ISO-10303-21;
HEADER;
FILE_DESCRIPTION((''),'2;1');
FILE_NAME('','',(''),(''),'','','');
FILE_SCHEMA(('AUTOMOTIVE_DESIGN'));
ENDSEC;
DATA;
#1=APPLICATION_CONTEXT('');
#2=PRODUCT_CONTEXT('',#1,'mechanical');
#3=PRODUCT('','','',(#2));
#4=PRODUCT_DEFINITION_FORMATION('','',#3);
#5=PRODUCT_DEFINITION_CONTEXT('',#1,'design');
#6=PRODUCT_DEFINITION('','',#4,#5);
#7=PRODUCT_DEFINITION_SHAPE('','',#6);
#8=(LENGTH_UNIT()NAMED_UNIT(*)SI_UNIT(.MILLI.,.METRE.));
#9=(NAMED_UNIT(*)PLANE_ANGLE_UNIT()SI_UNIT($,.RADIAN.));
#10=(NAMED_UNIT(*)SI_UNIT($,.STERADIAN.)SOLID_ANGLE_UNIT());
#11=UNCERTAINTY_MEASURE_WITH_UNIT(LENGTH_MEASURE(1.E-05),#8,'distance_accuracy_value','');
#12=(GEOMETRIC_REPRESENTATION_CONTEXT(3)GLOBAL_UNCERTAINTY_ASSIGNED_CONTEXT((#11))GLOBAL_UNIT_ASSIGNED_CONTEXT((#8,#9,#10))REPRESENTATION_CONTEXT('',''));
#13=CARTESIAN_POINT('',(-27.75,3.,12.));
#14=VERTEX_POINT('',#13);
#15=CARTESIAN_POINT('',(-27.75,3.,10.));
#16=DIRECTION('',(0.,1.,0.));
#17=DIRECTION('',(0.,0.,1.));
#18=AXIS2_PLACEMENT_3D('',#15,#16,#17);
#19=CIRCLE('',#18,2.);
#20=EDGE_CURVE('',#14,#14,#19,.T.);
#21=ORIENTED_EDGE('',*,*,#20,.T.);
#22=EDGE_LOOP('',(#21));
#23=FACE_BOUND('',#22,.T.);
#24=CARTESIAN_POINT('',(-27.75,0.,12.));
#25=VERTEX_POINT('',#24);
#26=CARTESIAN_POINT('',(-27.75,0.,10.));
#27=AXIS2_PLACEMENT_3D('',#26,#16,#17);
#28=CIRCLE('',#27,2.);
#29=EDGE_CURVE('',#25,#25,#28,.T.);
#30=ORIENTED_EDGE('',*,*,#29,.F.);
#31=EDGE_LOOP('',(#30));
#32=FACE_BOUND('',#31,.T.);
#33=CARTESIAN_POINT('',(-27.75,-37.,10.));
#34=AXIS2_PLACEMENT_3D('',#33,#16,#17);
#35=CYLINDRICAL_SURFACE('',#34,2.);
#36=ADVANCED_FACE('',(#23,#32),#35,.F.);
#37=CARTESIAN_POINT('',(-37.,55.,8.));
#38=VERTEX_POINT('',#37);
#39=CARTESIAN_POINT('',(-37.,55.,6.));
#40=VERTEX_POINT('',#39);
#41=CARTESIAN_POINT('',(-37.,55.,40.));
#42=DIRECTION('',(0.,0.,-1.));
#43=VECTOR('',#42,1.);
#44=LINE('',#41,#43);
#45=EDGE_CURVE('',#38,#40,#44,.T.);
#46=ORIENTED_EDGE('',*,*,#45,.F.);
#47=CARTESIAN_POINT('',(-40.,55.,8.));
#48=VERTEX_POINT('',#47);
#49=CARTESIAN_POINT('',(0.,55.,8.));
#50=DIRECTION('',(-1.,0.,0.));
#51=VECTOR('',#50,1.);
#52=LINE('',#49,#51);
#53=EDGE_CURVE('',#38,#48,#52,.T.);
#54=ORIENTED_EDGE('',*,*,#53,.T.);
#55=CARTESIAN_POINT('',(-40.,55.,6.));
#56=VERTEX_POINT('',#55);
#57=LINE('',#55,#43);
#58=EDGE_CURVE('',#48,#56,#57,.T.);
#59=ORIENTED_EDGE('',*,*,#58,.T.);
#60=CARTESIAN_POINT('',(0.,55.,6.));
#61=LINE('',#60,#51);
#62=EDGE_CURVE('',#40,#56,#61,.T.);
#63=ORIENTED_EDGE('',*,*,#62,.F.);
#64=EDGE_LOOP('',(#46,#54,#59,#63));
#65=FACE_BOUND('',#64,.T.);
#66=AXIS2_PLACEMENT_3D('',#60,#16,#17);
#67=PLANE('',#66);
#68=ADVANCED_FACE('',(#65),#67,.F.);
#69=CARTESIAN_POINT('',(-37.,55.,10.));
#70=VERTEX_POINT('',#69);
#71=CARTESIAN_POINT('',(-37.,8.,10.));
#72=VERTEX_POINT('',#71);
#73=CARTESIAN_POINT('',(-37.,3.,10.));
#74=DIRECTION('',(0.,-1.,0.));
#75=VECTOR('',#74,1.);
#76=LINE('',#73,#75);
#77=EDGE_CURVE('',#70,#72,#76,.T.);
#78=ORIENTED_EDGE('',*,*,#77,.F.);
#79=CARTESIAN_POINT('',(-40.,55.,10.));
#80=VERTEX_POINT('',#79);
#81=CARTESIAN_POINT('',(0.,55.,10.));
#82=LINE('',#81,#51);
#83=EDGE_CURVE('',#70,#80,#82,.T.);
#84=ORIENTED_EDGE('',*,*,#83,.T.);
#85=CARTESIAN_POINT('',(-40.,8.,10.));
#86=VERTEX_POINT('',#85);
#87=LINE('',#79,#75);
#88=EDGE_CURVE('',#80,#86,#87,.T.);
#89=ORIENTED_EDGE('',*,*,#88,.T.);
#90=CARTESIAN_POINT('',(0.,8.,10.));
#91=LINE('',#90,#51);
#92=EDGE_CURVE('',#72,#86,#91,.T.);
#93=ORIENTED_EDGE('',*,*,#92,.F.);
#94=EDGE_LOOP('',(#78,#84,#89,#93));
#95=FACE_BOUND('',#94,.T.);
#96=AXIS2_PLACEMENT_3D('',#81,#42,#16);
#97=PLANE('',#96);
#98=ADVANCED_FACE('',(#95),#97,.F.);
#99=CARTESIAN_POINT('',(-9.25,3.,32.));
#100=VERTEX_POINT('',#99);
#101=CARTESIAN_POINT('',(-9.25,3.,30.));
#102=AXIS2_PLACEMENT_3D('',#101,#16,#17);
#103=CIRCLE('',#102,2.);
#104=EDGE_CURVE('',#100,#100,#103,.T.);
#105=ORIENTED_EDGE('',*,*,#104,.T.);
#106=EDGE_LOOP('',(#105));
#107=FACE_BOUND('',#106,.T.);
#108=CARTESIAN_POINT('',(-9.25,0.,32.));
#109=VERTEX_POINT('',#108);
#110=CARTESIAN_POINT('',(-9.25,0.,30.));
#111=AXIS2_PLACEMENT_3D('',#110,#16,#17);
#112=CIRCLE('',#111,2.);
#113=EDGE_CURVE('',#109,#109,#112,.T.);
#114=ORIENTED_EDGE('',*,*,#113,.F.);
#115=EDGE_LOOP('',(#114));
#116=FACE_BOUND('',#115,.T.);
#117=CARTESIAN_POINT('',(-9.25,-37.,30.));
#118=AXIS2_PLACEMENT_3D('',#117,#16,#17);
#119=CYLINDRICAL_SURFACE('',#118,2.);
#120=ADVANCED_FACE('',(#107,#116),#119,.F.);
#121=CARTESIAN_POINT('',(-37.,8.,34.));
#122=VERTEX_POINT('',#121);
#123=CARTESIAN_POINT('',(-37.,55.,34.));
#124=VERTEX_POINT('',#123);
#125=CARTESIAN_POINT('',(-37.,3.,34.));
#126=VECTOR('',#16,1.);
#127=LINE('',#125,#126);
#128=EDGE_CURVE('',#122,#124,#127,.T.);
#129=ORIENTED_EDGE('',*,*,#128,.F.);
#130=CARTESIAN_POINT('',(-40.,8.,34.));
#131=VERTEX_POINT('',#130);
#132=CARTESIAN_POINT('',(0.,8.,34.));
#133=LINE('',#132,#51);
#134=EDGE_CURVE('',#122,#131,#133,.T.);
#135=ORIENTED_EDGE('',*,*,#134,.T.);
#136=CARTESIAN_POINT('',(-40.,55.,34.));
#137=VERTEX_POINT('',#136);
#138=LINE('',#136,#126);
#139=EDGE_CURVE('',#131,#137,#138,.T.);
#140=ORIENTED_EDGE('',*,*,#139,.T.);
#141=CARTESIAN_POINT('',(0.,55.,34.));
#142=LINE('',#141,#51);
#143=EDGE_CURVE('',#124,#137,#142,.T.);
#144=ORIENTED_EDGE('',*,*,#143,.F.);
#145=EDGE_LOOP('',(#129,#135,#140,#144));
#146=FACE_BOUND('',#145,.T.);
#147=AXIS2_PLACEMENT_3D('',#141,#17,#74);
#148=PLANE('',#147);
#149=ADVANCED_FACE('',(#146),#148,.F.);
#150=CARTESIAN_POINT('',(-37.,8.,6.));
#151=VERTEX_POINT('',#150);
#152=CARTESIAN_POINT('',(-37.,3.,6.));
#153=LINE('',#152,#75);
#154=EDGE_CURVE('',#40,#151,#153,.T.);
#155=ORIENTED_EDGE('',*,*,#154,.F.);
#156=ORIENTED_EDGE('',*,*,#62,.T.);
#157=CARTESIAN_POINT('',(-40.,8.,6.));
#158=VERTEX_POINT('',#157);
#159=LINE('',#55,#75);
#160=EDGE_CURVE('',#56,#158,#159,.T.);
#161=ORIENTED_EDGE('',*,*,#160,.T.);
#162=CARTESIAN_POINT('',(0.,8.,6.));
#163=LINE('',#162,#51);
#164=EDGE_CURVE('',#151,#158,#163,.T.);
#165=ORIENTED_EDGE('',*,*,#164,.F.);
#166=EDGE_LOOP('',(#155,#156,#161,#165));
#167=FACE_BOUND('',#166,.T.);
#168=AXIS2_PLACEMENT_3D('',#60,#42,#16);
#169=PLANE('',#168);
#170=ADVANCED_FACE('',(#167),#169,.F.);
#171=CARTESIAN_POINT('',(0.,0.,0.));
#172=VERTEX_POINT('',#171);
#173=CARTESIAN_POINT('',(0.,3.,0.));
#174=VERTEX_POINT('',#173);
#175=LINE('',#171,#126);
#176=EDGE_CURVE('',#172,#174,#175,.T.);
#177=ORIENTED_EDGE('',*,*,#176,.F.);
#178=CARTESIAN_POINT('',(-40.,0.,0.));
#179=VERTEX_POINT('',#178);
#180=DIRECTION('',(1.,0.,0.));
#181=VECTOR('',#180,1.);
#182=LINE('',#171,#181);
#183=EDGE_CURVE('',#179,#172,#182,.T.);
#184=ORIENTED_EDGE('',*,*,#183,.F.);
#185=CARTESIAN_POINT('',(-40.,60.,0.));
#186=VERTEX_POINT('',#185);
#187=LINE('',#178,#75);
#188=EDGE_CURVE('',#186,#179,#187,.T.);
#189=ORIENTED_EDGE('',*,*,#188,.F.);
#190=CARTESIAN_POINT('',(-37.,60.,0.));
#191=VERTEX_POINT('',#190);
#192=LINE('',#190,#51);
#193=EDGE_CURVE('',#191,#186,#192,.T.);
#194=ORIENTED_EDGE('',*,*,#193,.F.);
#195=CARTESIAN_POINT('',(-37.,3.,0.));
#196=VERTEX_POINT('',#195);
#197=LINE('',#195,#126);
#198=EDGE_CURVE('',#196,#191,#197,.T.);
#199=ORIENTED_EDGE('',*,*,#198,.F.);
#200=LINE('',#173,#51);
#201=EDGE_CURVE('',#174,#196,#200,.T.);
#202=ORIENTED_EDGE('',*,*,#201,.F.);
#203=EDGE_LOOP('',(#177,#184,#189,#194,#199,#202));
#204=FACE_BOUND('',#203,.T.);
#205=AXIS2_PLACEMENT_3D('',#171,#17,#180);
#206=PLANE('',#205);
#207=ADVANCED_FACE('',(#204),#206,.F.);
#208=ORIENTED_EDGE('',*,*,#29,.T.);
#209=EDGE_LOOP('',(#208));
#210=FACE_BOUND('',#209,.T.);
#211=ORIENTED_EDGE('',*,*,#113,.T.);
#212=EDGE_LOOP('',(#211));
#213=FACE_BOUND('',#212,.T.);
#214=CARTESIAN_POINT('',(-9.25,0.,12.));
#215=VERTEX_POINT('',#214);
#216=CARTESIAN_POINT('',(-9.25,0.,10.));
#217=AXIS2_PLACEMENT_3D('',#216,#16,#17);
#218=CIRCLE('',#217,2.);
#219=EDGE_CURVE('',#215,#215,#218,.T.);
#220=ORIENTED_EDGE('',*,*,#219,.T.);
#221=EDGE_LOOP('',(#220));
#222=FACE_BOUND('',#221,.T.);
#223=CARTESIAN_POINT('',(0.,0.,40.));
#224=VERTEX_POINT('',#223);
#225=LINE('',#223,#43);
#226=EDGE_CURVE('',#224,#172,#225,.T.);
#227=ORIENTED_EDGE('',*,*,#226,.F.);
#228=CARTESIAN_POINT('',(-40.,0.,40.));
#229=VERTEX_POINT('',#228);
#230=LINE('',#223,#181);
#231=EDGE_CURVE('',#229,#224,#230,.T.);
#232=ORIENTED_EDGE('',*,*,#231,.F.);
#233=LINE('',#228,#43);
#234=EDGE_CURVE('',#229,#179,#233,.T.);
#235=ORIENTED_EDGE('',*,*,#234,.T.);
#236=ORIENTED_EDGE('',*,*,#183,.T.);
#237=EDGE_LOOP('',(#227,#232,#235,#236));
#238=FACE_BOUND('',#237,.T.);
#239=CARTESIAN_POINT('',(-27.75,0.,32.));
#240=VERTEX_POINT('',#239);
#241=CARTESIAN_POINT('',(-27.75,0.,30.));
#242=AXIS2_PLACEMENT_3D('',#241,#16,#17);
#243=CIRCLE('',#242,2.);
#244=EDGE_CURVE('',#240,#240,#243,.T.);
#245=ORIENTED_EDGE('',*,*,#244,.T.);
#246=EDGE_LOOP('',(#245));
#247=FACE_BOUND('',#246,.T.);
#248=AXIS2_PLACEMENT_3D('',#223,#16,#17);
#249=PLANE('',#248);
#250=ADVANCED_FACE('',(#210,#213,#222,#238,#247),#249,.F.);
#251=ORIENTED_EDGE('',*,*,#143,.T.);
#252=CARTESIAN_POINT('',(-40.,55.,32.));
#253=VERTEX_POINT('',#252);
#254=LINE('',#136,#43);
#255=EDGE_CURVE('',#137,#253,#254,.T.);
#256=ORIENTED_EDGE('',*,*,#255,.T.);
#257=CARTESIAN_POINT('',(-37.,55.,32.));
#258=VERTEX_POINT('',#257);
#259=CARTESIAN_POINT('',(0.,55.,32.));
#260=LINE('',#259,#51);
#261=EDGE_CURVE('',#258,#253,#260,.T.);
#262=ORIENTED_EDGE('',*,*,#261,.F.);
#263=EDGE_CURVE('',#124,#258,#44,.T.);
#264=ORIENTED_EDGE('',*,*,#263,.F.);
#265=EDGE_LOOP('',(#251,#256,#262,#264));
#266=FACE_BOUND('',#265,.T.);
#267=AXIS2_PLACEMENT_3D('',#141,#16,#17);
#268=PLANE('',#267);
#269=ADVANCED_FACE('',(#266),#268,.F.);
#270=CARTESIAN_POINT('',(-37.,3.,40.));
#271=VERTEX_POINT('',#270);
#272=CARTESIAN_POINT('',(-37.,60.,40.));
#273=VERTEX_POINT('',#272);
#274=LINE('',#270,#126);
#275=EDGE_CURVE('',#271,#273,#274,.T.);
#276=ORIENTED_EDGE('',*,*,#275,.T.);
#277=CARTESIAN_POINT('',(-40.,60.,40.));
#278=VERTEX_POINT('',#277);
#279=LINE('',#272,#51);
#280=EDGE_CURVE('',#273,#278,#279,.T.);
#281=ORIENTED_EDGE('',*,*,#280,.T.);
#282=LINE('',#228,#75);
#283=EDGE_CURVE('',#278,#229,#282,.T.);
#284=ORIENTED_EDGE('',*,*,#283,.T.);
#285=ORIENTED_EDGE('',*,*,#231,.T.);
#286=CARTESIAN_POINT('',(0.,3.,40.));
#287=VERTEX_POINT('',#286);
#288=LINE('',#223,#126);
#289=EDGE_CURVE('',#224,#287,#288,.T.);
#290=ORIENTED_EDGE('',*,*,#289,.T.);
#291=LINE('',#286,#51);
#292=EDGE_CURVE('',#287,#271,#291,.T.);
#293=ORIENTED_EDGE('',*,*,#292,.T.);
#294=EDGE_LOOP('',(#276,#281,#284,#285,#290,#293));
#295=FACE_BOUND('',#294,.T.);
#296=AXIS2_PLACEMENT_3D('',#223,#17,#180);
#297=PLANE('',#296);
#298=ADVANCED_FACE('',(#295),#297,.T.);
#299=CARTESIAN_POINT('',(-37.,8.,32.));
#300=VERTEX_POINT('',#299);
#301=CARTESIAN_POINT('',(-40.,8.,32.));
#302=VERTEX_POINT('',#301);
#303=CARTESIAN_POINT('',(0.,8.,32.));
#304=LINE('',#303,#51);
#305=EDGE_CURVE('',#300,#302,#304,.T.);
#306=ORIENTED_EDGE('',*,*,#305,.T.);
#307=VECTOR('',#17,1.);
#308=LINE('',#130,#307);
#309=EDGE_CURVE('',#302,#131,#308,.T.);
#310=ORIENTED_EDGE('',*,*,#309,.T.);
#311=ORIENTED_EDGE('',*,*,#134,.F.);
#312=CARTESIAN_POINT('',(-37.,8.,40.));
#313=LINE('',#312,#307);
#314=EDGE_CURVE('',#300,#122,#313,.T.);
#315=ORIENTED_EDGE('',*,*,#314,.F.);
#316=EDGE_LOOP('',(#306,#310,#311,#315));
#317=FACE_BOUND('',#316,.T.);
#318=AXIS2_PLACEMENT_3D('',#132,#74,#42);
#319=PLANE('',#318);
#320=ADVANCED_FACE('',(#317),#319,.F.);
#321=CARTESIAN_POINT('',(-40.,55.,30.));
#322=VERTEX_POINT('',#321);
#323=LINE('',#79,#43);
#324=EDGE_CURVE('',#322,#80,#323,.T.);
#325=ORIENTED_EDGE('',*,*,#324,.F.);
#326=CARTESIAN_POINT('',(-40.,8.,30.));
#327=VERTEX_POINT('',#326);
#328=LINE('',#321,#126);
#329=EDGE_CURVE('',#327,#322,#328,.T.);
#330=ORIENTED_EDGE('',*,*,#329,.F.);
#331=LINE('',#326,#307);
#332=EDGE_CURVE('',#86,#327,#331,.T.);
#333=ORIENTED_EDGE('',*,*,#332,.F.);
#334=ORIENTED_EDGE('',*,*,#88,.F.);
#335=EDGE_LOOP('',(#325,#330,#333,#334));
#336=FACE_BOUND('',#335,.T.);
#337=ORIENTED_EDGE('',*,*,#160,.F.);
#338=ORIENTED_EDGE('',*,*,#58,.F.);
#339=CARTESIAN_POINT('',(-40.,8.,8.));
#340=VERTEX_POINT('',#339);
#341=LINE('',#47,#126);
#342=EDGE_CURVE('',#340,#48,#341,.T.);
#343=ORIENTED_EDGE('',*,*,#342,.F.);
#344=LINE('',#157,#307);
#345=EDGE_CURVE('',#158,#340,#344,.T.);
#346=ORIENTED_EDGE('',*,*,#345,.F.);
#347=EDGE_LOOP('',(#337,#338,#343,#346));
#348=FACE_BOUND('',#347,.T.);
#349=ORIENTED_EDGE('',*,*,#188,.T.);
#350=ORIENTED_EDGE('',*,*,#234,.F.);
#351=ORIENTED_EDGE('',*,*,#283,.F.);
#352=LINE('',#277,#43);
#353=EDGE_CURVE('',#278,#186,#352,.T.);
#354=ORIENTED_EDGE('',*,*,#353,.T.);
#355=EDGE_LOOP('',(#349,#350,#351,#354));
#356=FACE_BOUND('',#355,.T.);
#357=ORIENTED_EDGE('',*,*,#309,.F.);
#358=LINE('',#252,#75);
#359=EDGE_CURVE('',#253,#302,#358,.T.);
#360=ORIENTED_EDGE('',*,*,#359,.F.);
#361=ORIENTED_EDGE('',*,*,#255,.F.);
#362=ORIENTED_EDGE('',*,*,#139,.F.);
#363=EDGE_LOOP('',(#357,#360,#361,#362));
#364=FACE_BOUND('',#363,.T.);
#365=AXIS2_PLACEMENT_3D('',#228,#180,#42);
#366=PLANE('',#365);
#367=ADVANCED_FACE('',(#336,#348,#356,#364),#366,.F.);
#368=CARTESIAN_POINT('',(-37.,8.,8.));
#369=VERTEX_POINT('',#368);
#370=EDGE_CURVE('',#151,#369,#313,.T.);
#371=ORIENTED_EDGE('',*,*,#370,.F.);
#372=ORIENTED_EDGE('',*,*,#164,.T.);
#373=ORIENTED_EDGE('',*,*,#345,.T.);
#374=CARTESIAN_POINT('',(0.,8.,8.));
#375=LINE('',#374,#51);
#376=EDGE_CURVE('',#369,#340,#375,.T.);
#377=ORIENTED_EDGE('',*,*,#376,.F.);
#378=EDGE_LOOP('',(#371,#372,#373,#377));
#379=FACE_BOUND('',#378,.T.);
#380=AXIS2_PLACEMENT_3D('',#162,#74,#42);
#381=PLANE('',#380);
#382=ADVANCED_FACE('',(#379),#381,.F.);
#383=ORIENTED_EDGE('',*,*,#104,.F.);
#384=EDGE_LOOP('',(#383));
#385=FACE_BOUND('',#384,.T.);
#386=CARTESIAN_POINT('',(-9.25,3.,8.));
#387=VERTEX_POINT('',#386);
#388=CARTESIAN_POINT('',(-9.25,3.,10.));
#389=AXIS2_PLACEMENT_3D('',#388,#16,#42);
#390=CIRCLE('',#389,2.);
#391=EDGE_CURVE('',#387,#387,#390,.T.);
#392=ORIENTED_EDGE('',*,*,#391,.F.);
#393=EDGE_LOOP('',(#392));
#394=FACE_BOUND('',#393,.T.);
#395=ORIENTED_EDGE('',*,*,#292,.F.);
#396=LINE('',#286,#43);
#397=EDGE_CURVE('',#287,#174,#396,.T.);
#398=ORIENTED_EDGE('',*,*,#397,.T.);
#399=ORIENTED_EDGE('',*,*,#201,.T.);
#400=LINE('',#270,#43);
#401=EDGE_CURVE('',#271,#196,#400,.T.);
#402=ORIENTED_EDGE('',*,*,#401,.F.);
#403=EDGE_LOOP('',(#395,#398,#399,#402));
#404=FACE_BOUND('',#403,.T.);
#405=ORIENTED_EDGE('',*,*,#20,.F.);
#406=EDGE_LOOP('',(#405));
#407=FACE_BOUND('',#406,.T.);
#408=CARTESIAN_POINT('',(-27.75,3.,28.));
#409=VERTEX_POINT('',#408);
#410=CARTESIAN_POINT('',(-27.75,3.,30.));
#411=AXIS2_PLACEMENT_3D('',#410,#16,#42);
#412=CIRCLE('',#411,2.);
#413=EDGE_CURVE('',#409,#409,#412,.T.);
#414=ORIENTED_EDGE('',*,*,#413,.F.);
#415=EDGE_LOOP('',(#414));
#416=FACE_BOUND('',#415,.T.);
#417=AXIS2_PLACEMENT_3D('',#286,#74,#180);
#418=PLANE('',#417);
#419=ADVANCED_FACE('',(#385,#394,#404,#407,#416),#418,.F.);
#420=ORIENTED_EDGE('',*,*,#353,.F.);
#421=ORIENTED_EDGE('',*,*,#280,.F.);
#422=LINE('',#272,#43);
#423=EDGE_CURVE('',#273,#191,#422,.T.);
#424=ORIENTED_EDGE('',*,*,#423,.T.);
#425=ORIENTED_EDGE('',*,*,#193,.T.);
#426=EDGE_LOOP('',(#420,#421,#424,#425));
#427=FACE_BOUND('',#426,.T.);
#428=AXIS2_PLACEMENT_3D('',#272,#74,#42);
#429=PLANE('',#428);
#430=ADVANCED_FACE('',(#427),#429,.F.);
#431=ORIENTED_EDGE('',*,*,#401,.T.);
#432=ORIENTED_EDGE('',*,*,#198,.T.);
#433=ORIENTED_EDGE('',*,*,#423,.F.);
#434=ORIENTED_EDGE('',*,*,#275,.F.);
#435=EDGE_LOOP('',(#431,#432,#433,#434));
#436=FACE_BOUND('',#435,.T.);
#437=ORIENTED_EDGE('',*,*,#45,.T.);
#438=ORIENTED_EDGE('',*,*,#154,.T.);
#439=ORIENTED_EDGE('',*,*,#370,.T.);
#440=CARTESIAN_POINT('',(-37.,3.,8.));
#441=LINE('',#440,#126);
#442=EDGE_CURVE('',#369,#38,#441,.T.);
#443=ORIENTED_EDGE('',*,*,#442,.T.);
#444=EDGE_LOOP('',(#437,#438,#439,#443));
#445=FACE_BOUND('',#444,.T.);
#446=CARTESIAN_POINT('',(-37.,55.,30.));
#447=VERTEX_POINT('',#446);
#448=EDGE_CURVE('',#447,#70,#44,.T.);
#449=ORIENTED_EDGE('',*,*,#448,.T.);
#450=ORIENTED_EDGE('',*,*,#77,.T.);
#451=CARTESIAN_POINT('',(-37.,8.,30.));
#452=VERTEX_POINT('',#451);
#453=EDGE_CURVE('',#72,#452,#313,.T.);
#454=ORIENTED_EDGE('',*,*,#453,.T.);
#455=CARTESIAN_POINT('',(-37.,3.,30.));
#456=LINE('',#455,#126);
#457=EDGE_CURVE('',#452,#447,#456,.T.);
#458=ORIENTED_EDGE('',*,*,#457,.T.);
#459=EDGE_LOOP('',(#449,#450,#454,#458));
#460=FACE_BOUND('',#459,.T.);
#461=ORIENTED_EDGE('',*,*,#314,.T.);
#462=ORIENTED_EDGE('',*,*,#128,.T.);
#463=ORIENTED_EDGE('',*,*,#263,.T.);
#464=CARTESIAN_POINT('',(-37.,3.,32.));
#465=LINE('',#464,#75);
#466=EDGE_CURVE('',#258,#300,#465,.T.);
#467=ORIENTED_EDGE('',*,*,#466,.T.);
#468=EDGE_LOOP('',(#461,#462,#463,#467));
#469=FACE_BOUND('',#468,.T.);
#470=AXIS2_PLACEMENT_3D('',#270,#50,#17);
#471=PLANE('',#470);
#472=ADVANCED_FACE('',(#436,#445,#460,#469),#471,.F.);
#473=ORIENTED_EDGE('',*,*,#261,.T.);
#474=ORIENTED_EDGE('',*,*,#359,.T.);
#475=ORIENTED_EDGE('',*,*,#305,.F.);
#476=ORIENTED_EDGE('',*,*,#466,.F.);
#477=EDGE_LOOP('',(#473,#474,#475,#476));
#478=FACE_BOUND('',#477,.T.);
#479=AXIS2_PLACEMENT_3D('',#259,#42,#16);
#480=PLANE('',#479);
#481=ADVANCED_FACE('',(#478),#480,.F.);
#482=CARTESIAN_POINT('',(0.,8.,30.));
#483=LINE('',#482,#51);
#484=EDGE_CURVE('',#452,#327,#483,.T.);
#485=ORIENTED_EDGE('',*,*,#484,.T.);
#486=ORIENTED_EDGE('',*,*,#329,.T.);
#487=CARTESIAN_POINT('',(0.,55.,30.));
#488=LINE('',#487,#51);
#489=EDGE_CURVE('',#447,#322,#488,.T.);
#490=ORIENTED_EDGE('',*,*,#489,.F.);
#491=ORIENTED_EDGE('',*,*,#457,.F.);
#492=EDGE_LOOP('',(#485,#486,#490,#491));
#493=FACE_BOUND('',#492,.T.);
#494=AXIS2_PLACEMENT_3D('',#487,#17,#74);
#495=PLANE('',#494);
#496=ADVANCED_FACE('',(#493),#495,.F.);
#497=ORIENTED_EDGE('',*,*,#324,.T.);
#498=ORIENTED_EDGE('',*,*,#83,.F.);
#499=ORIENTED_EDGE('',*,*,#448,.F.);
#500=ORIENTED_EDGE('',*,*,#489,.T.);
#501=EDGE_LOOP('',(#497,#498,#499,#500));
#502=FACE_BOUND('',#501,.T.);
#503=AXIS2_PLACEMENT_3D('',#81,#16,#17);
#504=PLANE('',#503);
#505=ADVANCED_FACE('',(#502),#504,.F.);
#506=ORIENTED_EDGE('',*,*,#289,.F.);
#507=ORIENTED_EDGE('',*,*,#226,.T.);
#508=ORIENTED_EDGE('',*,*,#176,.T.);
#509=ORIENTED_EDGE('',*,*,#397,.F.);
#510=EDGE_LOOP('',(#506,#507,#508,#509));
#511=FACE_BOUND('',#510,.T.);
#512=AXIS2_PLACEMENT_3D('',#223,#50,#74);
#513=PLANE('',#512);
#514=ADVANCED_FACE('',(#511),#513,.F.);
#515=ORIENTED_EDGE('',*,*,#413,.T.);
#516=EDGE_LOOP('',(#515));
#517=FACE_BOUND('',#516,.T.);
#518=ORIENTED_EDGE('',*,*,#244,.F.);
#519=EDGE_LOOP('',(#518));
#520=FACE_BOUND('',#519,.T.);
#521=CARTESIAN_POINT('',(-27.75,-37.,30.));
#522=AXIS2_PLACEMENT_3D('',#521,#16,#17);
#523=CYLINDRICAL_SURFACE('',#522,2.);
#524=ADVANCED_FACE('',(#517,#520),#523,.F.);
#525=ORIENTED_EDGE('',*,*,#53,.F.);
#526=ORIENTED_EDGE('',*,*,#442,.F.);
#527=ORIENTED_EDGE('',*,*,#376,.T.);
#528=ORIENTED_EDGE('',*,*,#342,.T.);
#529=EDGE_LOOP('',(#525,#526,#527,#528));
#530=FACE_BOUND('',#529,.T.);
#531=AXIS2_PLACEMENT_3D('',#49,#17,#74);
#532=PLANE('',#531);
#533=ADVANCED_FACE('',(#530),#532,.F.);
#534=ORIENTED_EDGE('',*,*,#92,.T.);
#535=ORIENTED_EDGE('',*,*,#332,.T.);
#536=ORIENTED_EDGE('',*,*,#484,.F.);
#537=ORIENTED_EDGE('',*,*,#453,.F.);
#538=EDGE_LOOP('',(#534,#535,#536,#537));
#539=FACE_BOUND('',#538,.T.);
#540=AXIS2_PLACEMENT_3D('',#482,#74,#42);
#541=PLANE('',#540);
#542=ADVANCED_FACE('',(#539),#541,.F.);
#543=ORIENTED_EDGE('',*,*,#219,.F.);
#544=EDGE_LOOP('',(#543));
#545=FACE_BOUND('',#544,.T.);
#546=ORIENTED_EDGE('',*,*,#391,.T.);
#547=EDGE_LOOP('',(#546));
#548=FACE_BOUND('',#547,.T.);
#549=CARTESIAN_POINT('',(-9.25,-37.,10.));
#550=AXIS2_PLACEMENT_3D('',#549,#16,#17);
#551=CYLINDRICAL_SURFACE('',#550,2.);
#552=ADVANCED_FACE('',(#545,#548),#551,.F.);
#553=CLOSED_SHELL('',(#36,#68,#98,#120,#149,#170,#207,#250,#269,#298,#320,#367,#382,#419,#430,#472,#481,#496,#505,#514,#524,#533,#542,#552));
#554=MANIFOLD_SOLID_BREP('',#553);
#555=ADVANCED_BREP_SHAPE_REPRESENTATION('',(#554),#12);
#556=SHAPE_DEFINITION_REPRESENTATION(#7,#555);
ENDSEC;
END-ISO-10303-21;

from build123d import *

# Parameters (mm, degrees)
BOSS_EXTRUDE1_DEPTH = 40
SKETCH2_R           = 2
CUT_EXTRUDE1_DEPTH  = 40
SKETCH3_W           = 2
SKETCH3_H           = 47
SKETCH3_W_2         = 20
CUT_EXTRUDE2_DEPTH  = 83.462112512


with BuildPart() as part:
    # Sketch1 → Boss-Extrude1 (new body)
    with BuildSketch(Plane.XY):
        Polygon((0, 0), (-40, 0), (-40, 60), (-37, 60), (-37, 3), (0, 3), align=None)
    extrude(amount=BOSS_EXTRUDE1_DEPTH)

    # Sketch2 → Cut-Extrude1 (cut)
    with BuildSketch(Plane(origin=(0, 3, 0), x_dir=(1, 0, 0), z_dir=(0, 1, 0))):
        with Locations(Location((-9.25, -30, 0), (0, 0, 270))):
            Circle(SKETCH2_R)
        with Locations(Location((-27.75, -30, 0), (0, 0, 270))):
            Circle(SKETCH2_R)
        with Locations(Location((-27.75, -10, 0), (0, 0, 270))):
            Circle(SKETCH2_R)
        with Locations(Location((-9.25, -10, 0), (0, 0, 270))):
            Circle(SKETCH2_R)
    extrude(amount=-CUT_EXTRUDE1_DEPTH, mode=Mode.SUBTRACT)

    # Sketch3 → Cut-Extrude2 (cut, through all)
    with BuildSketch(Plane.ZY.offset(40)):
        with Locations((33, 31.5)):
            Rectangle(SKETCH3_W, SKETCH3_H)
        with Locations((7, 31.5)):
            Rectangle(SKETCH3_W, SKETCH3_H)
        with Locations((20, 31.5)):
            Rectangle(SKETCH3_W_2, SKETCH3_H)
    extrude(amount=-CUT_EXTRUDE2_DEPTH, mode=Mode.SUBTRACT)


solid = part.part
